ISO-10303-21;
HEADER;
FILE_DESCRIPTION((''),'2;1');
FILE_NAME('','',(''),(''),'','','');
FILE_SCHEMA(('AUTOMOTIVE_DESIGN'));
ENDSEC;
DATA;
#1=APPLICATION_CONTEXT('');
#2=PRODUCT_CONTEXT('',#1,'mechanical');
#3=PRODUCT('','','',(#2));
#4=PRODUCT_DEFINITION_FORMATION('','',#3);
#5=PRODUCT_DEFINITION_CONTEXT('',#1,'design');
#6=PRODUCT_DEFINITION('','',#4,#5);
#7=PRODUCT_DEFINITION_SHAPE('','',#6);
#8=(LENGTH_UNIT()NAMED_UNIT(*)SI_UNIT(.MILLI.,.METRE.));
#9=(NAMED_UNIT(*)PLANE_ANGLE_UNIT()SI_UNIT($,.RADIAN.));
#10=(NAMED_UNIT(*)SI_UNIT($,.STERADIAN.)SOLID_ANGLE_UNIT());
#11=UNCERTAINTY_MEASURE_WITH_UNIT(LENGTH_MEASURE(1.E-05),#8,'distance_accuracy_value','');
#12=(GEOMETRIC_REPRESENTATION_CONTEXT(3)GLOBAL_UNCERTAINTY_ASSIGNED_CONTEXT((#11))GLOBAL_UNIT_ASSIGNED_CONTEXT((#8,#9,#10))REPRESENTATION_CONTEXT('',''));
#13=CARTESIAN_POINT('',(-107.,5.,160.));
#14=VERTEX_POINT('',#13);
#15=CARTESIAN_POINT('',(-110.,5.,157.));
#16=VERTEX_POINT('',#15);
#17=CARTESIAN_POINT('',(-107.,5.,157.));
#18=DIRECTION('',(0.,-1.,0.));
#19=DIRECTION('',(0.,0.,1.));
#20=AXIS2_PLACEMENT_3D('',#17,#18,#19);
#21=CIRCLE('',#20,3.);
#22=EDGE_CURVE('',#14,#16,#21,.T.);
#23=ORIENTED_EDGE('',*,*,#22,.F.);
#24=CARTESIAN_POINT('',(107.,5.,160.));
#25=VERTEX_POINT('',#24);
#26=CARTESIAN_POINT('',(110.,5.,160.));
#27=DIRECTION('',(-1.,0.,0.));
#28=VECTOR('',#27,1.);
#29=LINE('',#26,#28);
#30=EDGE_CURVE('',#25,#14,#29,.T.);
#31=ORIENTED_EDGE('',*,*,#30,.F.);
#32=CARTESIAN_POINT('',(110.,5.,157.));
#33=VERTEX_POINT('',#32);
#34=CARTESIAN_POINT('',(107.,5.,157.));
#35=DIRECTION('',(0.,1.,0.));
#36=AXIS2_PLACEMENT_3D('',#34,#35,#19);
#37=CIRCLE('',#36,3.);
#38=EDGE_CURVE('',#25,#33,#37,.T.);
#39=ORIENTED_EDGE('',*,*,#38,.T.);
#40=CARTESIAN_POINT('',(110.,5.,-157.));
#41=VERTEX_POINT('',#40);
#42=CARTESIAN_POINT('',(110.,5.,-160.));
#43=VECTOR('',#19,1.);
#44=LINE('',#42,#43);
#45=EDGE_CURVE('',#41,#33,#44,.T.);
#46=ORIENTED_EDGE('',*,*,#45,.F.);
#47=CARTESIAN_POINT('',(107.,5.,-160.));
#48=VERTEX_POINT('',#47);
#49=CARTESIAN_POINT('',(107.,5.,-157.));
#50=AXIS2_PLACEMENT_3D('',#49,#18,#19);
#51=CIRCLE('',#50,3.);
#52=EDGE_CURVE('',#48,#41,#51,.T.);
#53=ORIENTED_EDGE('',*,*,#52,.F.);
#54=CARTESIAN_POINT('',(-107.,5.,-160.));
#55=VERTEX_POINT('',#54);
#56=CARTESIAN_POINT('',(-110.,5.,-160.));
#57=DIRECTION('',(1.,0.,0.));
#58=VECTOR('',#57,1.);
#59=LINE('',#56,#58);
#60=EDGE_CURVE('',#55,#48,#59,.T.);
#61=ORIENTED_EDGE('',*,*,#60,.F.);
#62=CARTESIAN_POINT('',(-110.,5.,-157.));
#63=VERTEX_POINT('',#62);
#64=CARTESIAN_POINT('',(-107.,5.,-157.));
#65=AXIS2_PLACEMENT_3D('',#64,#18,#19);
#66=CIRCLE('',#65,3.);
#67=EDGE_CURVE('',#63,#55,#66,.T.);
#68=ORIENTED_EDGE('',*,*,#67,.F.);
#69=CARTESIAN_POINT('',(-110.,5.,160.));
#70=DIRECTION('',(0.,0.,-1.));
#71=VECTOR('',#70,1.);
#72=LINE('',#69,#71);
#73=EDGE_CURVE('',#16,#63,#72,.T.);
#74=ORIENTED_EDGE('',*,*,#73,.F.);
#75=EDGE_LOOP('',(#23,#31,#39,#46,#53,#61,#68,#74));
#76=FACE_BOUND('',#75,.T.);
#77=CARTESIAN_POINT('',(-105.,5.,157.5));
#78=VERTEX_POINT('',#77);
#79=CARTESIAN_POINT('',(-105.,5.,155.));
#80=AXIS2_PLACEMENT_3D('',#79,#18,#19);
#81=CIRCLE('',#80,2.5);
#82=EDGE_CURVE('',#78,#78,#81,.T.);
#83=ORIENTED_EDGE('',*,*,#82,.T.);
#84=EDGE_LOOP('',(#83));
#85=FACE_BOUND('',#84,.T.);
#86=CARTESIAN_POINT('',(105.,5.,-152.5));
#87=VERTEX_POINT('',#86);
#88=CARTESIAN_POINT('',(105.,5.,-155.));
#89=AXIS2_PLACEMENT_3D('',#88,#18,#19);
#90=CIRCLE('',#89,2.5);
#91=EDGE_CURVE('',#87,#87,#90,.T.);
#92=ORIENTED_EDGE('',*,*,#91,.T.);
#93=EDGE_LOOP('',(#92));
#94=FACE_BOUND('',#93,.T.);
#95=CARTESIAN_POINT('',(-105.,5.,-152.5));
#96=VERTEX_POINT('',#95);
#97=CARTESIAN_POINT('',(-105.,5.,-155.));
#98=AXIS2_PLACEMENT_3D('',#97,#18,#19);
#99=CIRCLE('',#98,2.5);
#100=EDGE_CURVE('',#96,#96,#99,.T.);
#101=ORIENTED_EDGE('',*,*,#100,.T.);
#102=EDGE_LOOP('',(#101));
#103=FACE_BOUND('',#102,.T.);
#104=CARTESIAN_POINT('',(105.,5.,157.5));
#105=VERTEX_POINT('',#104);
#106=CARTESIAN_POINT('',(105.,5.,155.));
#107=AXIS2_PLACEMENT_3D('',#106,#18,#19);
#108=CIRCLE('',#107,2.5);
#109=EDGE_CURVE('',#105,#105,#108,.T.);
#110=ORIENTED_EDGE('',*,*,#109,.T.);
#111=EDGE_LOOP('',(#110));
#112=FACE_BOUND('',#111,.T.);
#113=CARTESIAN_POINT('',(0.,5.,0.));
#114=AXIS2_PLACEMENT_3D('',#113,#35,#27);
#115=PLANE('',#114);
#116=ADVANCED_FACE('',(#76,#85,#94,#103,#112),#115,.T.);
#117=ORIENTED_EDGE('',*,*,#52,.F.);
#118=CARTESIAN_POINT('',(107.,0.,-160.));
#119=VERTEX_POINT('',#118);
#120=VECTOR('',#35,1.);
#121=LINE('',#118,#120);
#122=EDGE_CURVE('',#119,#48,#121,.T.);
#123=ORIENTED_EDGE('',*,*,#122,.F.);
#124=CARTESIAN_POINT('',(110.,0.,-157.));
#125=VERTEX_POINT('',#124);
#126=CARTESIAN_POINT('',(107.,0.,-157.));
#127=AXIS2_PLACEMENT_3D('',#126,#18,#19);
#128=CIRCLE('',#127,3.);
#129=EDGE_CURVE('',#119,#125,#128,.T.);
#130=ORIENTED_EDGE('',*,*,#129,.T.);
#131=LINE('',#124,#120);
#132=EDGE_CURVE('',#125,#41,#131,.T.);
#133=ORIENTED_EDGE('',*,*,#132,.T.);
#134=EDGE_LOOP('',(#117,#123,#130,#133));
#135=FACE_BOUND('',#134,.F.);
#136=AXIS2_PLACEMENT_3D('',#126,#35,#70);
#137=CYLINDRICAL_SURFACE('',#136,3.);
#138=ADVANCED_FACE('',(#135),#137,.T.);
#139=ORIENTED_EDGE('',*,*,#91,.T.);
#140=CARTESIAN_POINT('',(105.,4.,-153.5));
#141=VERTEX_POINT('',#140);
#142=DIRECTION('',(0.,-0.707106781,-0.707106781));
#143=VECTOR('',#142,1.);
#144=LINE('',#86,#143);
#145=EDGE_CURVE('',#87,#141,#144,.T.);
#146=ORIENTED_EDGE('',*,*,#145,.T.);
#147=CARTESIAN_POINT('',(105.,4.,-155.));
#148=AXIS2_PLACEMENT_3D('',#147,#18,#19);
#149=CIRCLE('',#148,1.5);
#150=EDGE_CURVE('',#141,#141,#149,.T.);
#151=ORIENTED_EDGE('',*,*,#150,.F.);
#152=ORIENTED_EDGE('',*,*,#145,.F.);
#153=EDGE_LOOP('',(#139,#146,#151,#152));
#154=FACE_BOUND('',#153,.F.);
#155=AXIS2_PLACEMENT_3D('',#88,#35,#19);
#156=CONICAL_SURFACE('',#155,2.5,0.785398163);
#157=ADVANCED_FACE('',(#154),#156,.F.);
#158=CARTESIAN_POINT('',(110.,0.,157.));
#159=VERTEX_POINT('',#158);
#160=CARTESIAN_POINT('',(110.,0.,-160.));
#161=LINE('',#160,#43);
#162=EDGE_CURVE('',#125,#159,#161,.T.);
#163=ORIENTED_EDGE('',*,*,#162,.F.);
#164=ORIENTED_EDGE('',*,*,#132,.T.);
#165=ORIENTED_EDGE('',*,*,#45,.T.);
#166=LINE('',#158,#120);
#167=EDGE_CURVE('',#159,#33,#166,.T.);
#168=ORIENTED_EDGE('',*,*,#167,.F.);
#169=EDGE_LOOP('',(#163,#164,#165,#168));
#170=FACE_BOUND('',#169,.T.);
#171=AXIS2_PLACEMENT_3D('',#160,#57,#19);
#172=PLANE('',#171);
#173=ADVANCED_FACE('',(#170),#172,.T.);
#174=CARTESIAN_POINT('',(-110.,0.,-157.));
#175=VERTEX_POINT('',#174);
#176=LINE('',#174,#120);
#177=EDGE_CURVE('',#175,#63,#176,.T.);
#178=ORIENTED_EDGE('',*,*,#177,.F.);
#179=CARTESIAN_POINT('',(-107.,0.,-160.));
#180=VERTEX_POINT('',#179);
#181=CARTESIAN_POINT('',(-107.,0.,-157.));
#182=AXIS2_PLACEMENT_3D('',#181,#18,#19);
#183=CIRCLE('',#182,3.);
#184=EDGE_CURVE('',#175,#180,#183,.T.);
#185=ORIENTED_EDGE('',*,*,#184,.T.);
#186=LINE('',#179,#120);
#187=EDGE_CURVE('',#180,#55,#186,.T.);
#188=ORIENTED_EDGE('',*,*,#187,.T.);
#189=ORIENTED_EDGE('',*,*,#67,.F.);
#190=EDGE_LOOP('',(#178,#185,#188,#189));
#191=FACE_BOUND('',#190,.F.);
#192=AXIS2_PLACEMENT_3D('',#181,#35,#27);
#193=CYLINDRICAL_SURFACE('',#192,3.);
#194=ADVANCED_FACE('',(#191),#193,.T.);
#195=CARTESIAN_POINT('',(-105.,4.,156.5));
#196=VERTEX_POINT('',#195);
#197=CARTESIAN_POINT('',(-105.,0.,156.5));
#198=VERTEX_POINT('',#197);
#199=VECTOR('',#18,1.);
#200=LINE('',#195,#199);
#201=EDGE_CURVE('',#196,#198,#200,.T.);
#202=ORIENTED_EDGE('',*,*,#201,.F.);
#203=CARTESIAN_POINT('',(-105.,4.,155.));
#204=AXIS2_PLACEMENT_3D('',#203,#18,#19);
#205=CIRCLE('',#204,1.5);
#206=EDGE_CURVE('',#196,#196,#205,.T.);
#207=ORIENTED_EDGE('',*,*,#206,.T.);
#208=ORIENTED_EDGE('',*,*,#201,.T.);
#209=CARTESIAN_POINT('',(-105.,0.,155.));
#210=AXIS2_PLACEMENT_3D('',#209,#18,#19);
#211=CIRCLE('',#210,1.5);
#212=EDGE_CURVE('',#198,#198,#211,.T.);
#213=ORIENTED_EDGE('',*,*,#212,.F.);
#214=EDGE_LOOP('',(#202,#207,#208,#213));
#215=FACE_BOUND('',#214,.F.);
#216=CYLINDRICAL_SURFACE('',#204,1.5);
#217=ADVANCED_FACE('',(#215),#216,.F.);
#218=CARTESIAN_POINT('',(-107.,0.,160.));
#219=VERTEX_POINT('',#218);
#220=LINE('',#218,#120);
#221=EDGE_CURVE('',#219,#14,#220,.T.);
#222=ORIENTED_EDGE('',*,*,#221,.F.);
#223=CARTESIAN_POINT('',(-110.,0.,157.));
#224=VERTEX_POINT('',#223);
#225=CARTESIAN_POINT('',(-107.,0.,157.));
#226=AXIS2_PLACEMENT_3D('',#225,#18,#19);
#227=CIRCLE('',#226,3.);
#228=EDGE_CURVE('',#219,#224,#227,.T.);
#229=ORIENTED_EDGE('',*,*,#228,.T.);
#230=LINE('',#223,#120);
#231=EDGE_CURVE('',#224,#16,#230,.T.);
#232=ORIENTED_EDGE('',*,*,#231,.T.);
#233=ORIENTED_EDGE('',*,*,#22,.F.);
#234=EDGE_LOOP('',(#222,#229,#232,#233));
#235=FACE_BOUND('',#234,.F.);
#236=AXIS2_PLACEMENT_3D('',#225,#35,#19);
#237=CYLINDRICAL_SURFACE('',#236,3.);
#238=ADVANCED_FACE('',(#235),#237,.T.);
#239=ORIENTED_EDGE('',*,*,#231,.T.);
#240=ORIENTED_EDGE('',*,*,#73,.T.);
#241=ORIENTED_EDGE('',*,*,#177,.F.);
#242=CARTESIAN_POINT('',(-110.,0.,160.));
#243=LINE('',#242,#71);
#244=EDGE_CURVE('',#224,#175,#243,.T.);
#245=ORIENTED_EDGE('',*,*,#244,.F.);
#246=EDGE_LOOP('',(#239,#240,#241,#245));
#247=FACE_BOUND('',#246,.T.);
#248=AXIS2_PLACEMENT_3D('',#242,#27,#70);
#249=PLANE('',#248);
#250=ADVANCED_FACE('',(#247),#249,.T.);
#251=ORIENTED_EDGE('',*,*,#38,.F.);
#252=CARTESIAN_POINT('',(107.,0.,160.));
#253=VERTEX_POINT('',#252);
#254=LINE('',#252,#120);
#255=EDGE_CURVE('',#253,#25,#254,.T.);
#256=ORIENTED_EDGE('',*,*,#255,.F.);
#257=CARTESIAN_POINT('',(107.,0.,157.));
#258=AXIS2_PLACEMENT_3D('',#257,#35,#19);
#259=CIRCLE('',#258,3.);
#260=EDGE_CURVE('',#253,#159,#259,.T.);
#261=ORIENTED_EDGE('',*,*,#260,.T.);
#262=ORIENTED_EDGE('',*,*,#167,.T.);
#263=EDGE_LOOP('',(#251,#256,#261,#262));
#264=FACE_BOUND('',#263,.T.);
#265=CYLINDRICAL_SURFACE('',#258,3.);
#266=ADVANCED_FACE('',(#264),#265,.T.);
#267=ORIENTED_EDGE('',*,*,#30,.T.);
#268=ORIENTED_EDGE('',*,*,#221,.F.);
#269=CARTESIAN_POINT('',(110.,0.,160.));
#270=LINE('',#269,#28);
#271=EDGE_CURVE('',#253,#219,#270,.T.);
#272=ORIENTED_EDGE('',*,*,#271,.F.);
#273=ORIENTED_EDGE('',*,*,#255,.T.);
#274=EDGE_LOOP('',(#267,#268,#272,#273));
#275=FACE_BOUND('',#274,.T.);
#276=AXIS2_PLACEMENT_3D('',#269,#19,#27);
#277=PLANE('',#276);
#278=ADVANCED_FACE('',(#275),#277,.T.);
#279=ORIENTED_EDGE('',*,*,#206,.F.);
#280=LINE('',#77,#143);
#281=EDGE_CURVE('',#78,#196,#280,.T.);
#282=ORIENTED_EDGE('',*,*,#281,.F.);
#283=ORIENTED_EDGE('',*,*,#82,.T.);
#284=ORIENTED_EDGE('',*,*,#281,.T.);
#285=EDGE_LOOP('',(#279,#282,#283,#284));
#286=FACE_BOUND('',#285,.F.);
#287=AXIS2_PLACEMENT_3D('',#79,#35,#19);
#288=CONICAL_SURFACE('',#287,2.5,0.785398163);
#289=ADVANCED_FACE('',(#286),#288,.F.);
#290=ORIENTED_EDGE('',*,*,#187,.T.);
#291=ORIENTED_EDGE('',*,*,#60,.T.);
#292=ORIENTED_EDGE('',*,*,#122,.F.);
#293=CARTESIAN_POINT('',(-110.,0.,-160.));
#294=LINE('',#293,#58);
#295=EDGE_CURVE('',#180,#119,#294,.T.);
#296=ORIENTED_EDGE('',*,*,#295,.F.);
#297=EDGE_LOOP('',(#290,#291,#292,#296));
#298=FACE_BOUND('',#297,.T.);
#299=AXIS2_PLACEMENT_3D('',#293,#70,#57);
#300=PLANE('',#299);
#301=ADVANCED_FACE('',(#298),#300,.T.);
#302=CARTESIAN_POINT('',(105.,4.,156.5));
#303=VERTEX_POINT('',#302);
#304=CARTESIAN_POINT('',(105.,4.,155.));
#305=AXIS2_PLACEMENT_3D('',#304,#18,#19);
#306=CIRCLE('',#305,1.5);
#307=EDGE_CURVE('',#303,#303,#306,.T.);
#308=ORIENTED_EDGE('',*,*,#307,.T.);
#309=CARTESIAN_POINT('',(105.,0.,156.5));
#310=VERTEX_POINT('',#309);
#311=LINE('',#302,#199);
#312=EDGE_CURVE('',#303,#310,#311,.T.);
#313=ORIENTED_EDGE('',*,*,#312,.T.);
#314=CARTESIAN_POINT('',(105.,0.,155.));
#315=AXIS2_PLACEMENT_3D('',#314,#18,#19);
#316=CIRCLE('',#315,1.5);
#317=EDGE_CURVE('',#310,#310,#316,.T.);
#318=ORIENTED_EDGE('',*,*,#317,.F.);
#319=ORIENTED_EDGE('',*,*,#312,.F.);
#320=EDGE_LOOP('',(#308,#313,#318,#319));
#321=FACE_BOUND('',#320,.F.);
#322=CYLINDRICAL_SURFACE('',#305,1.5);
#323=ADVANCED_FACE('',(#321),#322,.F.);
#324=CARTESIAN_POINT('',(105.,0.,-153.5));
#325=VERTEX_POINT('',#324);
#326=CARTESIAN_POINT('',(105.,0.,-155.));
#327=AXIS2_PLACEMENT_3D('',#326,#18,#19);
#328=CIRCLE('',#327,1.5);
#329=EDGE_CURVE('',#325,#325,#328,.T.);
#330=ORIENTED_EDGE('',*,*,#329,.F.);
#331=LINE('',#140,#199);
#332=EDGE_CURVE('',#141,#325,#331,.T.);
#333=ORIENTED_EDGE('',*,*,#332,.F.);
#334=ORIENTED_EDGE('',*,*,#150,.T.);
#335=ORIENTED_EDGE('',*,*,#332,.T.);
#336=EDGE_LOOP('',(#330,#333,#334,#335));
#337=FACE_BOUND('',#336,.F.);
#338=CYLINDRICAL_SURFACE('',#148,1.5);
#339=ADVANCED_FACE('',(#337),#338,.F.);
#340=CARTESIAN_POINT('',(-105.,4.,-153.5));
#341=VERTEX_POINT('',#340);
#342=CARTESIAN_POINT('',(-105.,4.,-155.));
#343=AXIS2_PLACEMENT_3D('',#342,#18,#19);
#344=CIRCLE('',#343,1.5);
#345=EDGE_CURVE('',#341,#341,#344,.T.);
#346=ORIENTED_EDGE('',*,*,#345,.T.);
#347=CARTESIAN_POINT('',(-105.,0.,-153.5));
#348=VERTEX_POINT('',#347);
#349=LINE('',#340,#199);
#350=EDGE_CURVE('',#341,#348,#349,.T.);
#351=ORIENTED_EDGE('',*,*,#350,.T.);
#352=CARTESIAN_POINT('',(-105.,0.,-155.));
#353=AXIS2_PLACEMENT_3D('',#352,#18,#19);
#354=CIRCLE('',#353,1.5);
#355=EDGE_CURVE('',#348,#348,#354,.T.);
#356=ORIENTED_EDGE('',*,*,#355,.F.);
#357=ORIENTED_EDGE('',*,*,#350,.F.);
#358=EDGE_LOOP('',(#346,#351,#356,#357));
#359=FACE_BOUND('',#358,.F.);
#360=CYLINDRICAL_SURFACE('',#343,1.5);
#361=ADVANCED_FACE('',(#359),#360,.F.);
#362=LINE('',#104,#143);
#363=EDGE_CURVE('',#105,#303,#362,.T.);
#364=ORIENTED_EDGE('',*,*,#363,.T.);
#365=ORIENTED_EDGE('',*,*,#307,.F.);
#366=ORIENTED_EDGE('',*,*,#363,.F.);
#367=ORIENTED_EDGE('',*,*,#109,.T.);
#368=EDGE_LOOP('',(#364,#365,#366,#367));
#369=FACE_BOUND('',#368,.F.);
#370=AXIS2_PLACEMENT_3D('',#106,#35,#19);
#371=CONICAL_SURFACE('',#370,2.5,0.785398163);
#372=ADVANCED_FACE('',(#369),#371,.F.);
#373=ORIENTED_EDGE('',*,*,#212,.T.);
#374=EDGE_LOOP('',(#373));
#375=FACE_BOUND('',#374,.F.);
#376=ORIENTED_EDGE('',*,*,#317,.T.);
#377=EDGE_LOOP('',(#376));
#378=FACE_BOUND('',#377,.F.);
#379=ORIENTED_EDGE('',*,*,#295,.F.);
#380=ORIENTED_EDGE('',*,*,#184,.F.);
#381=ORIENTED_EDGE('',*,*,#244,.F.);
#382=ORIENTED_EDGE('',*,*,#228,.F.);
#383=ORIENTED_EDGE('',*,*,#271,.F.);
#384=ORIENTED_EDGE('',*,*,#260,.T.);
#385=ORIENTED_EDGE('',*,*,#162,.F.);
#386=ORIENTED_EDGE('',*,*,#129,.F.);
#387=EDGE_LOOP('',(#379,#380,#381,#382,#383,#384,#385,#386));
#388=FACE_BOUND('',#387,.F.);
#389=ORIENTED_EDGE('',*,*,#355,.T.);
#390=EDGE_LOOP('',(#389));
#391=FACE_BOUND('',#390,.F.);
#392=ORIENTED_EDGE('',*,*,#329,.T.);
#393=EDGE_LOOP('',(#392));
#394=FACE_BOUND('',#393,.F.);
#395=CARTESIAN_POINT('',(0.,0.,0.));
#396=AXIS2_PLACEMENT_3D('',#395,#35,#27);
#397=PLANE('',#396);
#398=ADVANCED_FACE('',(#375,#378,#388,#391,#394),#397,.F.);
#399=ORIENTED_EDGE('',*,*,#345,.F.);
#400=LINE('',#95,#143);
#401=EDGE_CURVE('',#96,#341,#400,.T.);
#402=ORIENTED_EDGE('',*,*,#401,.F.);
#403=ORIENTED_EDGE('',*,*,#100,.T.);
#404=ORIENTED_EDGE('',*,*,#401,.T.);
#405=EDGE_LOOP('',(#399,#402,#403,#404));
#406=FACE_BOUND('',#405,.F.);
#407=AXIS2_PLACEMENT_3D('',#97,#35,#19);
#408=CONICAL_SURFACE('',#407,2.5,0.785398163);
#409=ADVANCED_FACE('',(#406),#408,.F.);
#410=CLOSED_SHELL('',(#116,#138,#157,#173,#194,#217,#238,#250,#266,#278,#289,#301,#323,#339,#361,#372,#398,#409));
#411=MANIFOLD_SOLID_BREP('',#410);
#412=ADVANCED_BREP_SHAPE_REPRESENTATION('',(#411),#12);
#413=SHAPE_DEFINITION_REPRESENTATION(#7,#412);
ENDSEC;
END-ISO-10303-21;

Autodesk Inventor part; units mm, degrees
ref_plane "YZ Plane" through (0, 0, 0) normal (1, 0, 0) x (0, 1, 0)
ref_plane "XZ Plane" through (0, 0, 0) normal (0, 1, 0) x (-1, 0, 0)
ref_plane "XY Plane" through (0, 0, 0) normal (0, 0, 1) x (1, 0, 0)
sketch "Sketch1" plane through (0, 0, 0) normal (0, 1, 0) x (-1, 0, 0)
  line L0 (-110, 160) -> (110, 160)
  line L1 (110, 160) -> (110, -160)
  line L2 (110, -160) -> (-110, -160)
  line L3 (-110, -160) -> (-110, 160)
  line L4 (-110, 160) -> (110, -160) construction
  line L5 (110, 160) -> (-110, -160) construction
  point P0 (0, 0)
  dimension "d0" = 220
  dimension "d1" = 320
extrude "Plate1" add sketch "Sketch1" along normal blind 5
fillet "Fillet1" radius 3 4 edges at (110, 2.5, 160) (-110, 2.5, 160) (110, 2.5, -160) (-110, 2.5, -160)
sketch "Sketch2" plane through (0, 5, 0) normal (0, 1, 0) x (1, 0, 0)
  line L0 (105, 155) -> (-105, 155) construction
  line L1 (-105, 155) -> (-105, -155) construction
  line L2 (-105, -155) -> (105, -155) construction
  line L3 (105, -155) -> (105, 155) construction
  line L4 (105, 155) -> (-105, -155) construction
  line L5 (-105, 155) -> (105, -155) construction
  circle A0 centre (105, -155) radius 1.6
  circle A1 centre (-105, -155) radius 1.6
  circle A2 centre (-105, 155) radius 1.6
  circle A3 centre (105, 155) radius 1.6
  point P0 (0, 0)
  dimension "d4" = 310
  dimension "d5" = 210
  dimension "d6" = 3.2
hole "Hole1" at (105, 5, 155) at (-105, 5, 155) at (-105, 5, -155) at (105, 5, -155) direction (0, -1, 0) diameter 3 depth 8.8 countersink diameter 5 countersink angle 90
equation "\"d16\" = Thickness"
equation "\"TransitionRadius\" = BendRadius"
equation "\"JacobiRadiusSize\" = BendRadius"
equation "\"d2\" = BendRadius"
equation "\"Thickness\" = 5"
equation "\"BendRadius\" = 0.8"
properties part number "Bed Plate" material "Aluminum 6061"
